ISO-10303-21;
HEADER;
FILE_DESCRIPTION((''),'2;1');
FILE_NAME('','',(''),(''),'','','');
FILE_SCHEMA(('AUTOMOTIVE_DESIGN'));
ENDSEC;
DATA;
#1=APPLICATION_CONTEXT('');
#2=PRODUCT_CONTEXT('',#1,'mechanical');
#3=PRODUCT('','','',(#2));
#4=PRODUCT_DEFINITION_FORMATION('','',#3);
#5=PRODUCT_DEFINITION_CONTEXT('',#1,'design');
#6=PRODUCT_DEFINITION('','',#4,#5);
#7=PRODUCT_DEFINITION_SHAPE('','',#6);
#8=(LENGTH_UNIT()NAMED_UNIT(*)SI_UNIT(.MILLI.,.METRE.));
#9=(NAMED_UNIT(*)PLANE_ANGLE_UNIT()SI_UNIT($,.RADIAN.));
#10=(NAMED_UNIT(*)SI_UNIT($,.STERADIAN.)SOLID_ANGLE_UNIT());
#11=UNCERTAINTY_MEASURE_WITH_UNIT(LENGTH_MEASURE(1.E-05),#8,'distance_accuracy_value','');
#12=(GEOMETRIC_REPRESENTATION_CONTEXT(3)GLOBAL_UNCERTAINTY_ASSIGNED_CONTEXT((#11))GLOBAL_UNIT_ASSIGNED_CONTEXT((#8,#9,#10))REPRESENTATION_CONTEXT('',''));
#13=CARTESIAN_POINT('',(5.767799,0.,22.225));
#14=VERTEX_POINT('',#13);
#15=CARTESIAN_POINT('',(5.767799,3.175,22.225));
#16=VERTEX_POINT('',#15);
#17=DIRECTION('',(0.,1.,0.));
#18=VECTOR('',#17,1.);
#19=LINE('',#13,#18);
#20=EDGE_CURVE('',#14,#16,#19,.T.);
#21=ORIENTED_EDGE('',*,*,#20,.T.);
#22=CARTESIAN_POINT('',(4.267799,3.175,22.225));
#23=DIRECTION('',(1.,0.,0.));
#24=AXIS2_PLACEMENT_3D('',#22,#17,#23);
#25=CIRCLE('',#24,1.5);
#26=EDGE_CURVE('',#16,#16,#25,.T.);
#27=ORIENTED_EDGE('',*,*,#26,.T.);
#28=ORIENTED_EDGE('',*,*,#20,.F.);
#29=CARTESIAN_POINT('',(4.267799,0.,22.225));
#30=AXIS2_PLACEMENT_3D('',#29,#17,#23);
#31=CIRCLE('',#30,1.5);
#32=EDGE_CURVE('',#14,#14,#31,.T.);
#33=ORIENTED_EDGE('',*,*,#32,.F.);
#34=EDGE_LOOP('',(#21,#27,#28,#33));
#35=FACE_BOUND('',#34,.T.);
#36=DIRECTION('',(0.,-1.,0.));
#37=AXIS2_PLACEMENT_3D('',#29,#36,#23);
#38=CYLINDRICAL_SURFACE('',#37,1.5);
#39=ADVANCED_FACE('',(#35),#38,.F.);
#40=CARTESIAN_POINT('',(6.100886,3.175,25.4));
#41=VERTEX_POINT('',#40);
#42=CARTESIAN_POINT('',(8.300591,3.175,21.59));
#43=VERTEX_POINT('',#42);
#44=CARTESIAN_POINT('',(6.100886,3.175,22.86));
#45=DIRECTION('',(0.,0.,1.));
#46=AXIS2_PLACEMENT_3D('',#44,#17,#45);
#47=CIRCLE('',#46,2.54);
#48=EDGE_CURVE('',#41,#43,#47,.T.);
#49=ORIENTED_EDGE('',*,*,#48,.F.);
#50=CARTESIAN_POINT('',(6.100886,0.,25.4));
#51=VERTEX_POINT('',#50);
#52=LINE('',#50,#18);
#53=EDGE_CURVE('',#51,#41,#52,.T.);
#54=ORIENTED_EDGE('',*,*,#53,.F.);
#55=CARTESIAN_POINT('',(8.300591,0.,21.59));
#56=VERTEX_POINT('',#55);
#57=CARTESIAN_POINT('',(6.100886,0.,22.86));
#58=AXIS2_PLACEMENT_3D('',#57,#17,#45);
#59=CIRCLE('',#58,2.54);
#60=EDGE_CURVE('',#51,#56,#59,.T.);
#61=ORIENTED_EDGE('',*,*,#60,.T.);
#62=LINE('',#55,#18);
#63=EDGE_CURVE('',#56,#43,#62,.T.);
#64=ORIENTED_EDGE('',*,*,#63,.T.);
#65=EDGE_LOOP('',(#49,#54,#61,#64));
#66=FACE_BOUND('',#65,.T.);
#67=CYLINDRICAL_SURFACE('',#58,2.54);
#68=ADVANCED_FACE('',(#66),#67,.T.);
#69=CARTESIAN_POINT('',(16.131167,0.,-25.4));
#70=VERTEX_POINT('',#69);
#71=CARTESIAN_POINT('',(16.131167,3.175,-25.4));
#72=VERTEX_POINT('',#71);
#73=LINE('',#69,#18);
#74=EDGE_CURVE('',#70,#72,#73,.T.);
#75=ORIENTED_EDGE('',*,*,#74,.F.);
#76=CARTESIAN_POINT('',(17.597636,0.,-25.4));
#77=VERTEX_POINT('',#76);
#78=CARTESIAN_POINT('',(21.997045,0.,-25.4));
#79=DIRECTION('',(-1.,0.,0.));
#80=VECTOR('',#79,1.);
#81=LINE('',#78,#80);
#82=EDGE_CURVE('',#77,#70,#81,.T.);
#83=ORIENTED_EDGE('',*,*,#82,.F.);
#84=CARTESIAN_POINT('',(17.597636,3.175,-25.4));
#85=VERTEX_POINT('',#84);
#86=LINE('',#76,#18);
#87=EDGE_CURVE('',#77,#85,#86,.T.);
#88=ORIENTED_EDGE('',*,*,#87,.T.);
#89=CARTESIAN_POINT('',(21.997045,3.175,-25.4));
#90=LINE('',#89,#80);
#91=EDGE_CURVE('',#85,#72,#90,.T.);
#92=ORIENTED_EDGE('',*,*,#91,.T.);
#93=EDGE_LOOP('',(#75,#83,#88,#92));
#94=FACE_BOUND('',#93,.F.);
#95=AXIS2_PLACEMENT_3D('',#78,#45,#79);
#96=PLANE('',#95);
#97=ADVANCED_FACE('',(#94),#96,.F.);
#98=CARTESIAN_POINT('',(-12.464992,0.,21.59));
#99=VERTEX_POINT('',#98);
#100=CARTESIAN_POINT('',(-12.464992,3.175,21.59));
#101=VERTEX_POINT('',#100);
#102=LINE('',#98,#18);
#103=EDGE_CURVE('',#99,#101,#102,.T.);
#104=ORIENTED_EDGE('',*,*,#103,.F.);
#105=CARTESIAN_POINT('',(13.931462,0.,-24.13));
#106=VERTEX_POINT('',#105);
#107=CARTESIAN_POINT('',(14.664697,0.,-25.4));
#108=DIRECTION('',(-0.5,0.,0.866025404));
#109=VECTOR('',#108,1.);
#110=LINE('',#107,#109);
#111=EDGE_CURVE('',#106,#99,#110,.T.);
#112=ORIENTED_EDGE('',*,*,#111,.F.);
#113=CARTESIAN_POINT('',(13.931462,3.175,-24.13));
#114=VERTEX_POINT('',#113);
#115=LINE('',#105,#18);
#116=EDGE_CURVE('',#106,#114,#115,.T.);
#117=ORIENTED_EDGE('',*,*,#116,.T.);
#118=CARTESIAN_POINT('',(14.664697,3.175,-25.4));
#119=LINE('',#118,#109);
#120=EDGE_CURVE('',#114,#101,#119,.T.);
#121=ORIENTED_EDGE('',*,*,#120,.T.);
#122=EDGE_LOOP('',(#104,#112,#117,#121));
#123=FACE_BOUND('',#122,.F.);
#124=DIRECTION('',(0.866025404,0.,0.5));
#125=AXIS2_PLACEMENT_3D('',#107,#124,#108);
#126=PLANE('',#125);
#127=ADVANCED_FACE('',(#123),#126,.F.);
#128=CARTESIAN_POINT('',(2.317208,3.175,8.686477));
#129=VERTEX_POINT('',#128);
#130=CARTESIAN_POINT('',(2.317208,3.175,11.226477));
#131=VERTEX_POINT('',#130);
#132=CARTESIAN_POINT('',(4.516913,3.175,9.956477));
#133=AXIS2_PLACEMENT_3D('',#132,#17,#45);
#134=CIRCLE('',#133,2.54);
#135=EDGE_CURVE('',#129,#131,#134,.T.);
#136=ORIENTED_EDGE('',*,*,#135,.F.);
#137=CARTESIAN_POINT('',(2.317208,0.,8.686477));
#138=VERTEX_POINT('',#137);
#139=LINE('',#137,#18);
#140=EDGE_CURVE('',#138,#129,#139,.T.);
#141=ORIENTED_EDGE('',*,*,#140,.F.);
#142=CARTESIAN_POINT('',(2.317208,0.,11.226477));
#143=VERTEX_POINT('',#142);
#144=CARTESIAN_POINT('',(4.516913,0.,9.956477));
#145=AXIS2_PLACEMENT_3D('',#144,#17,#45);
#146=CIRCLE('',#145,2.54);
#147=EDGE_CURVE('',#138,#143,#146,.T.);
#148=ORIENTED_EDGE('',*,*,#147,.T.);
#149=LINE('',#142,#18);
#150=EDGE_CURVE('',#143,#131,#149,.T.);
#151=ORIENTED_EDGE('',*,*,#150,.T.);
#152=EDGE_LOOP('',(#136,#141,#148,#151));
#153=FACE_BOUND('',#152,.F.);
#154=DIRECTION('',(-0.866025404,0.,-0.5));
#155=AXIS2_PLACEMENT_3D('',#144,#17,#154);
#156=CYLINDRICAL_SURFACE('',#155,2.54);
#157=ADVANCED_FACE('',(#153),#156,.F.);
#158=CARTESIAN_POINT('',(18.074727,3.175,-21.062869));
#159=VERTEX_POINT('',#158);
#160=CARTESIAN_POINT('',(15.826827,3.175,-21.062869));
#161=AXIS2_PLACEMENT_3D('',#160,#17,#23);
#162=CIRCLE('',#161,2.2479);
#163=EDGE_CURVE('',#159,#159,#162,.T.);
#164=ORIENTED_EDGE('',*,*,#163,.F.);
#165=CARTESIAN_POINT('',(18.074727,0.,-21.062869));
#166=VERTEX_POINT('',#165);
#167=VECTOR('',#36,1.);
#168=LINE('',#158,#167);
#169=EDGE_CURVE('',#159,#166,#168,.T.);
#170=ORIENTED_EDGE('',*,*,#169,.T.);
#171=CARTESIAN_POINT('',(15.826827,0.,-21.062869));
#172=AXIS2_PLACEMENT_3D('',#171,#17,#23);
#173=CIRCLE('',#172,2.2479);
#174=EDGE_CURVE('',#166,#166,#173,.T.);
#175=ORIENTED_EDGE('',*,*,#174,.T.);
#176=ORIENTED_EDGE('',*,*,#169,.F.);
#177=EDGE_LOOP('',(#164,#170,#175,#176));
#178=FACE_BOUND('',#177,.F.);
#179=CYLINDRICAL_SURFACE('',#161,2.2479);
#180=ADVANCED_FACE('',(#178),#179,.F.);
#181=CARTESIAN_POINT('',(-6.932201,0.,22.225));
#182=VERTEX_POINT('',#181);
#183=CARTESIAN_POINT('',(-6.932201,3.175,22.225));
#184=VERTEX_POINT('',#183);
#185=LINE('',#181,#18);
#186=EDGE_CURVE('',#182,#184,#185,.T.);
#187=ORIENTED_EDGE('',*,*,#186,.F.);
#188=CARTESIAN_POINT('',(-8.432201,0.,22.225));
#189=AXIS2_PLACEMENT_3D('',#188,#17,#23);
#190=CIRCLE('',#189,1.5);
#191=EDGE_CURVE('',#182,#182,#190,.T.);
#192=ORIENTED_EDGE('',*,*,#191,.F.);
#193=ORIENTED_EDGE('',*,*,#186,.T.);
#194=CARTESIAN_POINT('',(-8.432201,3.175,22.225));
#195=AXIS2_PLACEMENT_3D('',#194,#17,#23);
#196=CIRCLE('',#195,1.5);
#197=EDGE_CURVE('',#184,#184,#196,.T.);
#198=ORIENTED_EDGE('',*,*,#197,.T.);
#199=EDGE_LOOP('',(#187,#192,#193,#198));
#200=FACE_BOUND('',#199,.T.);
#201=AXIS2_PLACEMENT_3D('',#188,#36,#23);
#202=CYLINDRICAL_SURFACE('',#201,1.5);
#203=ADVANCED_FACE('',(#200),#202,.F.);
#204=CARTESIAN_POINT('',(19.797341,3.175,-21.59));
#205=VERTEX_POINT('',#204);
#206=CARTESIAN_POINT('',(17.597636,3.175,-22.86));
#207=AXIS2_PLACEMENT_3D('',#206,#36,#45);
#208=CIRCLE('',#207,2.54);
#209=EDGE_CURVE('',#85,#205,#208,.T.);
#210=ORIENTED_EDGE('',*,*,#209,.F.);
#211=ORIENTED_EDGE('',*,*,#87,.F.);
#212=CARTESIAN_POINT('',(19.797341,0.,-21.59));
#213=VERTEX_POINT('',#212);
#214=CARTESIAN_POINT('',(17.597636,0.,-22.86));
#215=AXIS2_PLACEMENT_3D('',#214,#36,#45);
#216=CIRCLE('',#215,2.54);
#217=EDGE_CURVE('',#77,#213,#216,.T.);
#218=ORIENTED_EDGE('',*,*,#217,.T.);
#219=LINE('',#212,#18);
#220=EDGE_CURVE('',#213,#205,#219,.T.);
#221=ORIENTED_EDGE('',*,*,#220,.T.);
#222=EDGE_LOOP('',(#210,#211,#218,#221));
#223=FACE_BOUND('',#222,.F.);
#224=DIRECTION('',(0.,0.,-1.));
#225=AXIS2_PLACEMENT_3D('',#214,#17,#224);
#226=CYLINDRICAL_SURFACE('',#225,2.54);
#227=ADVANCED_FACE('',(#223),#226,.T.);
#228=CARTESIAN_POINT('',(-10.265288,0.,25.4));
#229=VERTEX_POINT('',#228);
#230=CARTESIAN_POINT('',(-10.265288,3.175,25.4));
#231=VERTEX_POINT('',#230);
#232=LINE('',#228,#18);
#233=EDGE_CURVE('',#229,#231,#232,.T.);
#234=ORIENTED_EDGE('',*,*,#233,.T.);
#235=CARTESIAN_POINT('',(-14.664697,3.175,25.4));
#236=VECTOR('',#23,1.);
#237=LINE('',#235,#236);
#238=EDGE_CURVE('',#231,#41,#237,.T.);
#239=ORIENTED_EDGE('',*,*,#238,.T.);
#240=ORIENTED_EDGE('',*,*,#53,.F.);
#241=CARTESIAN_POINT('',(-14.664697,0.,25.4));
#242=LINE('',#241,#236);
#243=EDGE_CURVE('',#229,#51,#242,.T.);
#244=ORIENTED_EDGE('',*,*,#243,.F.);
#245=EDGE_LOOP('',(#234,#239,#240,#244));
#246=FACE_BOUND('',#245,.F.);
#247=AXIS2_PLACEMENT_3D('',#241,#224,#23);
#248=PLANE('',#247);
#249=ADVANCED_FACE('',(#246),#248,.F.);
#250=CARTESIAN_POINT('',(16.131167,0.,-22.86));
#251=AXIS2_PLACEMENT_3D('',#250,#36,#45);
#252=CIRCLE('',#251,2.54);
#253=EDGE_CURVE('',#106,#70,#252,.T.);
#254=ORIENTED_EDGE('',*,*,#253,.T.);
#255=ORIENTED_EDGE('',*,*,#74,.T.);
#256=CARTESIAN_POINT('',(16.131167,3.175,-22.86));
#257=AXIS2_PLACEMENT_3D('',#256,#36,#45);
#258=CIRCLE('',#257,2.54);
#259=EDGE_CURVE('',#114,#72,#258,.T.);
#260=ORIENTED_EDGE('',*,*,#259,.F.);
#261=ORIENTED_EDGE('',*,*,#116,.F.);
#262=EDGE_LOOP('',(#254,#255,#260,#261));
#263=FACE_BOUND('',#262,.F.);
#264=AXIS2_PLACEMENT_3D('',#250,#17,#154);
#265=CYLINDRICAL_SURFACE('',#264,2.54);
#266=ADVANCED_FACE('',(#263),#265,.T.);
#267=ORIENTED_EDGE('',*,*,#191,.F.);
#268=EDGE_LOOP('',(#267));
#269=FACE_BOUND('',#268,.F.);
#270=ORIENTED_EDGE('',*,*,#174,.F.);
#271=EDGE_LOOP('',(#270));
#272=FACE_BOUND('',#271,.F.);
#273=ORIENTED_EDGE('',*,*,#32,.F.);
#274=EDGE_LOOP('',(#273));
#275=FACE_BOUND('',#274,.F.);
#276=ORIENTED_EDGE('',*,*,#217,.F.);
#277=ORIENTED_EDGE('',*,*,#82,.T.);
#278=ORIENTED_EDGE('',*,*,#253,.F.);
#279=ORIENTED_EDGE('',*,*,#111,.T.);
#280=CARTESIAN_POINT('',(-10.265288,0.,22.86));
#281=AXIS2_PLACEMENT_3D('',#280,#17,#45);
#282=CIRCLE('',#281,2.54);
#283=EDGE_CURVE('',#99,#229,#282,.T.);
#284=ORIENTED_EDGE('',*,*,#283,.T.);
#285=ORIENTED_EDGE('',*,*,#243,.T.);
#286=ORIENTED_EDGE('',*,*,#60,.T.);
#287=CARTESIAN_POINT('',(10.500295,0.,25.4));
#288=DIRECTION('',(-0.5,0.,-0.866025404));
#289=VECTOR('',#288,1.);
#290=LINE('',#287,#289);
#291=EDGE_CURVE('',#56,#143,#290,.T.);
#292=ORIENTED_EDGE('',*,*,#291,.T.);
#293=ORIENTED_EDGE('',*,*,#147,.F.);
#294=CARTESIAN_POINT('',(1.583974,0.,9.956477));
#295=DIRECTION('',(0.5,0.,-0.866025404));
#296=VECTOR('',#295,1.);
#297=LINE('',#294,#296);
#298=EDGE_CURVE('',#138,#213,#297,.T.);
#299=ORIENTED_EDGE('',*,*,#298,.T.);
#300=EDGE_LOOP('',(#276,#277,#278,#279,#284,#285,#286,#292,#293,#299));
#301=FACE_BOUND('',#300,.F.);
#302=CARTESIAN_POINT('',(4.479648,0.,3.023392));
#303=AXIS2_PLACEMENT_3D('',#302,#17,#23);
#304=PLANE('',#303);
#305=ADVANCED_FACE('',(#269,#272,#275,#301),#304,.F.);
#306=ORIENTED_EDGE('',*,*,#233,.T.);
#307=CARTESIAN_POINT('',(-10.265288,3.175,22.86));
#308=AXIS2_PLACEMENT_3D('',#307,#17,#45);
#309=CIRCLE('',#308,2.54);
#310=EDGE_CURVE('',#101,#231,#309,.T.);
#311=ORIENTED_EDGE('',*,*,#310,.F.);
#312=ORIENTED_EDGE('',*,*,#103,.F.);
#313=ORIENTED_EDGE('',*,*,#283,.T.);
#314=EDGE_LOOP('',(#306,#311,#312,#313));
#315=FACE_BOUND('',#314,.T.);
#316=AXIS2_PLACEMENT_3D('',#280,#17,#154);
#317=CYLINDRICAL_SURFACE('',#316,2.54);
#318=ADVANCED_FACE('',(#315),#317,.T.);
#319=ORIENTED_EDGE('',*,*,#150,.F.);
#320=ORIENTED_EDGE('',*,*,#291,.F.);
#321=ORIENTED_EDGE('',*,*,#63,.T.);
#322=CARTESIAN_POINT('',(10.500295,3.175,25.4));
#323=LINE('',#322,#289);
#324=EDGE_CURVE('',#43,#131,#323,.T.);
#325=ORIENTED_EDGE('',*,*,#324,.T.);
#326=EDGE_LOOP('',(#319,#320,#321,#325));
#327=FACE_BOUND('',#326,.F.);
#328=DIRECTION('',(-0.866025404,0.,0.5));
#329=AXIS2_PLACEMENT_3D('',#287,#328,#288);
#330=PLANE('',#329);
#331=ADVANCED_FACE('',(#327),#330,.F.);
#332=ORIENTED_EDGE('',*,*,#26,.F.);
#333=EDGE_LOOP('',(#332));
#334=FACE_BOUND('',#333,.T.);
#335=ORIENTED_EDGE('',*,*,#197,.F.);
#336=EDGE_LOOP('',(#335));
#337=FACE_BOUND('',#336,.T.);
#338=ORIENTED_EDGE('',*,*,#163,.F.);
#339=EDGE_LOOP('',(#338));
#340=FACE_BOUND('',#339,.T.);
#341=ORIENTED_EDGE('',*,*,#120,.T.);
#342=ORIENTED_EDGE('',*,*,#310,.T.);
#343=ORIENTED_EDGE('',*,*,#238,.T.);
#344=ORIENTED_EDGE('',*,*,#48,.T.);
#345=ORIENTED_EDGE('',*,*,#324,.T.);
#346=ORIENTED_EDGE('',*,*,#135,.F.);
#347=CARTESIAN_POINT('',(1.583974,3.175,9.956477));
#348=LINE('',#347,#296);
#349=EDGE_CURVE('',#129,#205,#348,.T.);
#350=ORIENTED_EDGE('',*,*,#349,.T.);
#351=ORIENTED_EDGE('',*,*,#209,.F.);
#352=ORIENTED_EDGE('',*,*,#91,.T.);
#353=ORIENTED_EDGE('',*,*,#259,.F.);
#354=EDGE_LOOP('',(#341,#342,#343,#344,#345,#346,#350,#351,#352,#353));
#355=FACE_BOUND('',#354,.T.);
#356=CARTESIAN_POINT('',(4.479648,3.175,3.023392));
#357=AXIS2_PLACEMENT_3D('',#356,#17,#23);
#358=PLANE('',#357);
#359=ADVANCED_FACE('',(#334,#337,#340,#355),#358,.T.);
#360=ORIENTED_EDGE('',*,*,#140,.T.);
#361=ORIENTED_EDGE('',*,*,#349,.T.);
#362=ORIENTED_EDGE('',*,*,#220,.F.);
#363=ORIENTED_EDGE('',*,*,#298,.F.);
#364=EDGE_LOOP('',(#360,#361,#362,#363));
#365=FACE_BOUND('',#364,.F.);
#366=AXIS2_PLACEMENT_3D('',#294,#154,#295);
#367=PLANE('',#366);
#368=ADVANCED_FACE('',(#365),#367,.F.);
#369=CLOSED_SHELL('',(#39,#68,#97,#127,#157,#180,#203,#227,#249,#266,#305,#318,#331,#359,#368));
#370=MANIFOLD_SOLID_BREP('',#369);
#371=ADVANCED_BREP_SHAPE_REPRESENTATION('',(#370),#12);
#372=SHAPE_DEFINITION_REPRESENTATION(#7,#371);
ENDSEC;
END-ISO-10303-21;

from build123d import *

# Parameters (mm, degrees)
SKETCH1_R           = 1.5
BOSS_EXTRUDE1_DEPTH = 3.175
SKETCH2_R           = 2.2479
CUT_EXTRUDE1_DEPTH  = 4.175
FILLET1_R           = 2.54


with BuildPart() as part:
    # Sketch1 → Boss-Extrude1 (new body)
    with BuildSketch(Plane(origin=(0, 0, 0), x_dir=(1, 0, 0), z_dir=(0, 1, 0))):
        Polygon((14.664696837, 25.4), (-14.664696837, -25.4), (10.500295474, -25.4), (1.583973528, -9.956477372), (21.997045256, 25.4), align=None)
        with Locations((-8.432200682, -22.225)):
            Circle(SKETCH1_R, mode=Mode.SUBTRACT)
        with Locations((4.267799318, -22.225)):
            Circle(SKETCH1_R, mode=Mode.SUBTRACT)
    extrude(amount=BOSS_EXTRUDE1_DEPTH)

    # Sketch2 → Cut-Extrude1 (cut, through all)
    with BuildSketch(Plane(origin=(0, 3.175, 0), x_dir=(1, 0, 0), z_dir=(0, 1, 0))):
        with Locations((15.826827494, 21.062869343)):
            Circle(SKETCH2_R)
    extrude(amount=-CUT_EXTRUDE1_DEPTH, mode=Mode.SUBTRACT)

    # Fillet1
    fillet1_edges = [part.edges().sort_by_distance(p)[0] for p in [
        (-14.664696837, 1.5875, 25.4),
        (14.664696837, 1.5875, -25.4),
        (21.997045256, 1.5875, -25.4),
        (1.583973528, 1.5875, 9.956477372),
        (10.500295474, 1.5875, 25.4),
    ]]
    fillet(fillet1_edges, radius=FILLET1_R)


solid = part.part
